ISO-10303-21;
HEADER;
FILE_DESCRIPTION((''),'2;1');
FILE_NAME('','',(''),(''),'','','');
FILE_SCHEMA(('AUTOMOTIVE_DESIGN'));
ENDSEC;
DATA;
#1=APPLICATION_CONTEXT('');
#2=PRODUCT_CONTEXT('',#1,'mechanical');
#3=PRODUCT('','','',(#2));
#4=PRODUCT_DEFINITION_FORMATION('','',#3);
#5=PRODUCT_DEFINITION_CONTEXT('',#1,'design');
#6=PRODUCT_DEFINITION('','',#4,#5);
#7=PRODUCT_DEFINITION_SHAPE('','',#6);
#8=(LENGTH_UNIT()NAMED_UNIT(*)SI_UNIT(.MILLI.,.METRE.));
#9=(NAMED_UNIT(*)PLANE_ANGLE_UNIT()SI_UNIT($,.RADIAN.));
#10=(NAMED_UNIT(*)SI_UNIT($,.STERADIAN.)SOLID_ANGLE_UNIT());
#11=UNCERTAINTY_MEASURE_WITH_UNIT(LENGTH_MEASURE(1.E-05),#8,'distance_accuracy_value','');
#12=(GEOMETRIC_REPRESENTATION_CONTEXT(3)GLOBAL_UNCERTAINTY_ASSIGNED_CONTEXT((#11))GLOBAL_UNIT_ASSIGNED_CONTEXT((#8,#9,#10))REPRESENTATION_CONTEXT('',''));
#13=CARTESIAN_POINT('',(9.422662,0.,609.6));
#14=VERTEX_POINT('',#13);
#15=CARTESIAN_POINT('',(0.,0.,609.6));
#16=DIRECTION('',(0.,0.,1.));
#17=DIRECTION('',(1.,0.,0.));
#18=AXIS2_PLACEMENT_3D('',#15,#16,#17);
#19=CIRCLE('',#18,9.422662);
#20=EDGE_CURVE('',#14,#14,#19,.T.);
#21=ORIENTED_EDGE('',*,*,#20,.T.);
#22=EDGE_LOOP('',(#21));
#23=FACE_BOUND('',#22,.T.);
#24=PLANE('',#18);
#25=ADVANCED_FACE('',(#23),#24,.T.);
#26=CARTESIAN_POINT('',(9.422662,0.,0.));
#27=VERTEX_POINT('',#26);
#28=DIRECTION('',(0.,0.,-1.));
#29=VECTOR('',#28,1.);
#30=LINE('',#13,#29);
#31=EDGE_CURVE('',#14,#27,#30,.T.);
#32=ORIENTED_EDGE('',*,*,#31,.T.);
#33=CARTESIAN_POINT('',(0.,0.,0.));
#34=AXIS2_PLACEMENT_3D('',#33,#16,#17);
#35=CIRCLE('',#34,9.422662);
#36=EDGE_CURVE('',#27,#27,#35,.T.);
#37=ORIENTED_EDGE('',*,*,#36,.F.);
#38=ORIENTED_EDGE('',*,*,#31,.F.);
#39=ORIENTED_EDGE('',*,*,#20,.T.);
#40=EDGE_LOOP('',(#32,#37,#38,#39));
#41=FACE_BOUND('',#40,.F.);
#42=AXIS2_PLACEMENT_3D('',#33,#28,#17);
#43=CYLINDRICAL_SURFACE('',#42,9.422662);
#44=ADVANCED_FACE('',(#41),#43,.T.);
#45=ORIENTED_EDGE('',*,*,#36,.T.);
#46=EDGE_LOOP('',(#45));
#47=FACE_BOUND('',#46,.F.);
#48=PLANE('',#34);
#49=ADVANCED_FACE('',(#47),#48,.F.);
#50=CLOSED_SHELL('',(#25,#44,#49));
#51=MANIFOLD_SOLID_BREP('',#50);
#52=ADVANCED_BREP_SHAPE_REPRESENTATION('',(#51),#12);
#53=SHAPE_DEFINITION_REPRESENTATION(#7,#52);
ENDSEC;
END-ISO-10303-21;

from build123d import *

# Parameters (mm, degrees)
F0_R     = 9.422662
F1_DEPTH = 254
F2_DEPTH = 609.6
F3_DEPTH = 609.6


with BuildPart() as f1:
    # F0 (on Top) → F1 (new body)
    with BuildSketch(Plane.XY):
        Circle(F0_R)
    extrude(amount=F1_DEPTH)

    # F0 (on Top) → F2 (join)
    with BuildSketch(Plane.XY):
        Circle(F0_R)
    extrude(amount=F2_DEPTH)

    # F0 (on Top) → F3 (join)
    with BuildSketch(Plane.XY):
        Circle(F0_R)
    extrude(amount=F3_DEPTH)


solid = f1.part
